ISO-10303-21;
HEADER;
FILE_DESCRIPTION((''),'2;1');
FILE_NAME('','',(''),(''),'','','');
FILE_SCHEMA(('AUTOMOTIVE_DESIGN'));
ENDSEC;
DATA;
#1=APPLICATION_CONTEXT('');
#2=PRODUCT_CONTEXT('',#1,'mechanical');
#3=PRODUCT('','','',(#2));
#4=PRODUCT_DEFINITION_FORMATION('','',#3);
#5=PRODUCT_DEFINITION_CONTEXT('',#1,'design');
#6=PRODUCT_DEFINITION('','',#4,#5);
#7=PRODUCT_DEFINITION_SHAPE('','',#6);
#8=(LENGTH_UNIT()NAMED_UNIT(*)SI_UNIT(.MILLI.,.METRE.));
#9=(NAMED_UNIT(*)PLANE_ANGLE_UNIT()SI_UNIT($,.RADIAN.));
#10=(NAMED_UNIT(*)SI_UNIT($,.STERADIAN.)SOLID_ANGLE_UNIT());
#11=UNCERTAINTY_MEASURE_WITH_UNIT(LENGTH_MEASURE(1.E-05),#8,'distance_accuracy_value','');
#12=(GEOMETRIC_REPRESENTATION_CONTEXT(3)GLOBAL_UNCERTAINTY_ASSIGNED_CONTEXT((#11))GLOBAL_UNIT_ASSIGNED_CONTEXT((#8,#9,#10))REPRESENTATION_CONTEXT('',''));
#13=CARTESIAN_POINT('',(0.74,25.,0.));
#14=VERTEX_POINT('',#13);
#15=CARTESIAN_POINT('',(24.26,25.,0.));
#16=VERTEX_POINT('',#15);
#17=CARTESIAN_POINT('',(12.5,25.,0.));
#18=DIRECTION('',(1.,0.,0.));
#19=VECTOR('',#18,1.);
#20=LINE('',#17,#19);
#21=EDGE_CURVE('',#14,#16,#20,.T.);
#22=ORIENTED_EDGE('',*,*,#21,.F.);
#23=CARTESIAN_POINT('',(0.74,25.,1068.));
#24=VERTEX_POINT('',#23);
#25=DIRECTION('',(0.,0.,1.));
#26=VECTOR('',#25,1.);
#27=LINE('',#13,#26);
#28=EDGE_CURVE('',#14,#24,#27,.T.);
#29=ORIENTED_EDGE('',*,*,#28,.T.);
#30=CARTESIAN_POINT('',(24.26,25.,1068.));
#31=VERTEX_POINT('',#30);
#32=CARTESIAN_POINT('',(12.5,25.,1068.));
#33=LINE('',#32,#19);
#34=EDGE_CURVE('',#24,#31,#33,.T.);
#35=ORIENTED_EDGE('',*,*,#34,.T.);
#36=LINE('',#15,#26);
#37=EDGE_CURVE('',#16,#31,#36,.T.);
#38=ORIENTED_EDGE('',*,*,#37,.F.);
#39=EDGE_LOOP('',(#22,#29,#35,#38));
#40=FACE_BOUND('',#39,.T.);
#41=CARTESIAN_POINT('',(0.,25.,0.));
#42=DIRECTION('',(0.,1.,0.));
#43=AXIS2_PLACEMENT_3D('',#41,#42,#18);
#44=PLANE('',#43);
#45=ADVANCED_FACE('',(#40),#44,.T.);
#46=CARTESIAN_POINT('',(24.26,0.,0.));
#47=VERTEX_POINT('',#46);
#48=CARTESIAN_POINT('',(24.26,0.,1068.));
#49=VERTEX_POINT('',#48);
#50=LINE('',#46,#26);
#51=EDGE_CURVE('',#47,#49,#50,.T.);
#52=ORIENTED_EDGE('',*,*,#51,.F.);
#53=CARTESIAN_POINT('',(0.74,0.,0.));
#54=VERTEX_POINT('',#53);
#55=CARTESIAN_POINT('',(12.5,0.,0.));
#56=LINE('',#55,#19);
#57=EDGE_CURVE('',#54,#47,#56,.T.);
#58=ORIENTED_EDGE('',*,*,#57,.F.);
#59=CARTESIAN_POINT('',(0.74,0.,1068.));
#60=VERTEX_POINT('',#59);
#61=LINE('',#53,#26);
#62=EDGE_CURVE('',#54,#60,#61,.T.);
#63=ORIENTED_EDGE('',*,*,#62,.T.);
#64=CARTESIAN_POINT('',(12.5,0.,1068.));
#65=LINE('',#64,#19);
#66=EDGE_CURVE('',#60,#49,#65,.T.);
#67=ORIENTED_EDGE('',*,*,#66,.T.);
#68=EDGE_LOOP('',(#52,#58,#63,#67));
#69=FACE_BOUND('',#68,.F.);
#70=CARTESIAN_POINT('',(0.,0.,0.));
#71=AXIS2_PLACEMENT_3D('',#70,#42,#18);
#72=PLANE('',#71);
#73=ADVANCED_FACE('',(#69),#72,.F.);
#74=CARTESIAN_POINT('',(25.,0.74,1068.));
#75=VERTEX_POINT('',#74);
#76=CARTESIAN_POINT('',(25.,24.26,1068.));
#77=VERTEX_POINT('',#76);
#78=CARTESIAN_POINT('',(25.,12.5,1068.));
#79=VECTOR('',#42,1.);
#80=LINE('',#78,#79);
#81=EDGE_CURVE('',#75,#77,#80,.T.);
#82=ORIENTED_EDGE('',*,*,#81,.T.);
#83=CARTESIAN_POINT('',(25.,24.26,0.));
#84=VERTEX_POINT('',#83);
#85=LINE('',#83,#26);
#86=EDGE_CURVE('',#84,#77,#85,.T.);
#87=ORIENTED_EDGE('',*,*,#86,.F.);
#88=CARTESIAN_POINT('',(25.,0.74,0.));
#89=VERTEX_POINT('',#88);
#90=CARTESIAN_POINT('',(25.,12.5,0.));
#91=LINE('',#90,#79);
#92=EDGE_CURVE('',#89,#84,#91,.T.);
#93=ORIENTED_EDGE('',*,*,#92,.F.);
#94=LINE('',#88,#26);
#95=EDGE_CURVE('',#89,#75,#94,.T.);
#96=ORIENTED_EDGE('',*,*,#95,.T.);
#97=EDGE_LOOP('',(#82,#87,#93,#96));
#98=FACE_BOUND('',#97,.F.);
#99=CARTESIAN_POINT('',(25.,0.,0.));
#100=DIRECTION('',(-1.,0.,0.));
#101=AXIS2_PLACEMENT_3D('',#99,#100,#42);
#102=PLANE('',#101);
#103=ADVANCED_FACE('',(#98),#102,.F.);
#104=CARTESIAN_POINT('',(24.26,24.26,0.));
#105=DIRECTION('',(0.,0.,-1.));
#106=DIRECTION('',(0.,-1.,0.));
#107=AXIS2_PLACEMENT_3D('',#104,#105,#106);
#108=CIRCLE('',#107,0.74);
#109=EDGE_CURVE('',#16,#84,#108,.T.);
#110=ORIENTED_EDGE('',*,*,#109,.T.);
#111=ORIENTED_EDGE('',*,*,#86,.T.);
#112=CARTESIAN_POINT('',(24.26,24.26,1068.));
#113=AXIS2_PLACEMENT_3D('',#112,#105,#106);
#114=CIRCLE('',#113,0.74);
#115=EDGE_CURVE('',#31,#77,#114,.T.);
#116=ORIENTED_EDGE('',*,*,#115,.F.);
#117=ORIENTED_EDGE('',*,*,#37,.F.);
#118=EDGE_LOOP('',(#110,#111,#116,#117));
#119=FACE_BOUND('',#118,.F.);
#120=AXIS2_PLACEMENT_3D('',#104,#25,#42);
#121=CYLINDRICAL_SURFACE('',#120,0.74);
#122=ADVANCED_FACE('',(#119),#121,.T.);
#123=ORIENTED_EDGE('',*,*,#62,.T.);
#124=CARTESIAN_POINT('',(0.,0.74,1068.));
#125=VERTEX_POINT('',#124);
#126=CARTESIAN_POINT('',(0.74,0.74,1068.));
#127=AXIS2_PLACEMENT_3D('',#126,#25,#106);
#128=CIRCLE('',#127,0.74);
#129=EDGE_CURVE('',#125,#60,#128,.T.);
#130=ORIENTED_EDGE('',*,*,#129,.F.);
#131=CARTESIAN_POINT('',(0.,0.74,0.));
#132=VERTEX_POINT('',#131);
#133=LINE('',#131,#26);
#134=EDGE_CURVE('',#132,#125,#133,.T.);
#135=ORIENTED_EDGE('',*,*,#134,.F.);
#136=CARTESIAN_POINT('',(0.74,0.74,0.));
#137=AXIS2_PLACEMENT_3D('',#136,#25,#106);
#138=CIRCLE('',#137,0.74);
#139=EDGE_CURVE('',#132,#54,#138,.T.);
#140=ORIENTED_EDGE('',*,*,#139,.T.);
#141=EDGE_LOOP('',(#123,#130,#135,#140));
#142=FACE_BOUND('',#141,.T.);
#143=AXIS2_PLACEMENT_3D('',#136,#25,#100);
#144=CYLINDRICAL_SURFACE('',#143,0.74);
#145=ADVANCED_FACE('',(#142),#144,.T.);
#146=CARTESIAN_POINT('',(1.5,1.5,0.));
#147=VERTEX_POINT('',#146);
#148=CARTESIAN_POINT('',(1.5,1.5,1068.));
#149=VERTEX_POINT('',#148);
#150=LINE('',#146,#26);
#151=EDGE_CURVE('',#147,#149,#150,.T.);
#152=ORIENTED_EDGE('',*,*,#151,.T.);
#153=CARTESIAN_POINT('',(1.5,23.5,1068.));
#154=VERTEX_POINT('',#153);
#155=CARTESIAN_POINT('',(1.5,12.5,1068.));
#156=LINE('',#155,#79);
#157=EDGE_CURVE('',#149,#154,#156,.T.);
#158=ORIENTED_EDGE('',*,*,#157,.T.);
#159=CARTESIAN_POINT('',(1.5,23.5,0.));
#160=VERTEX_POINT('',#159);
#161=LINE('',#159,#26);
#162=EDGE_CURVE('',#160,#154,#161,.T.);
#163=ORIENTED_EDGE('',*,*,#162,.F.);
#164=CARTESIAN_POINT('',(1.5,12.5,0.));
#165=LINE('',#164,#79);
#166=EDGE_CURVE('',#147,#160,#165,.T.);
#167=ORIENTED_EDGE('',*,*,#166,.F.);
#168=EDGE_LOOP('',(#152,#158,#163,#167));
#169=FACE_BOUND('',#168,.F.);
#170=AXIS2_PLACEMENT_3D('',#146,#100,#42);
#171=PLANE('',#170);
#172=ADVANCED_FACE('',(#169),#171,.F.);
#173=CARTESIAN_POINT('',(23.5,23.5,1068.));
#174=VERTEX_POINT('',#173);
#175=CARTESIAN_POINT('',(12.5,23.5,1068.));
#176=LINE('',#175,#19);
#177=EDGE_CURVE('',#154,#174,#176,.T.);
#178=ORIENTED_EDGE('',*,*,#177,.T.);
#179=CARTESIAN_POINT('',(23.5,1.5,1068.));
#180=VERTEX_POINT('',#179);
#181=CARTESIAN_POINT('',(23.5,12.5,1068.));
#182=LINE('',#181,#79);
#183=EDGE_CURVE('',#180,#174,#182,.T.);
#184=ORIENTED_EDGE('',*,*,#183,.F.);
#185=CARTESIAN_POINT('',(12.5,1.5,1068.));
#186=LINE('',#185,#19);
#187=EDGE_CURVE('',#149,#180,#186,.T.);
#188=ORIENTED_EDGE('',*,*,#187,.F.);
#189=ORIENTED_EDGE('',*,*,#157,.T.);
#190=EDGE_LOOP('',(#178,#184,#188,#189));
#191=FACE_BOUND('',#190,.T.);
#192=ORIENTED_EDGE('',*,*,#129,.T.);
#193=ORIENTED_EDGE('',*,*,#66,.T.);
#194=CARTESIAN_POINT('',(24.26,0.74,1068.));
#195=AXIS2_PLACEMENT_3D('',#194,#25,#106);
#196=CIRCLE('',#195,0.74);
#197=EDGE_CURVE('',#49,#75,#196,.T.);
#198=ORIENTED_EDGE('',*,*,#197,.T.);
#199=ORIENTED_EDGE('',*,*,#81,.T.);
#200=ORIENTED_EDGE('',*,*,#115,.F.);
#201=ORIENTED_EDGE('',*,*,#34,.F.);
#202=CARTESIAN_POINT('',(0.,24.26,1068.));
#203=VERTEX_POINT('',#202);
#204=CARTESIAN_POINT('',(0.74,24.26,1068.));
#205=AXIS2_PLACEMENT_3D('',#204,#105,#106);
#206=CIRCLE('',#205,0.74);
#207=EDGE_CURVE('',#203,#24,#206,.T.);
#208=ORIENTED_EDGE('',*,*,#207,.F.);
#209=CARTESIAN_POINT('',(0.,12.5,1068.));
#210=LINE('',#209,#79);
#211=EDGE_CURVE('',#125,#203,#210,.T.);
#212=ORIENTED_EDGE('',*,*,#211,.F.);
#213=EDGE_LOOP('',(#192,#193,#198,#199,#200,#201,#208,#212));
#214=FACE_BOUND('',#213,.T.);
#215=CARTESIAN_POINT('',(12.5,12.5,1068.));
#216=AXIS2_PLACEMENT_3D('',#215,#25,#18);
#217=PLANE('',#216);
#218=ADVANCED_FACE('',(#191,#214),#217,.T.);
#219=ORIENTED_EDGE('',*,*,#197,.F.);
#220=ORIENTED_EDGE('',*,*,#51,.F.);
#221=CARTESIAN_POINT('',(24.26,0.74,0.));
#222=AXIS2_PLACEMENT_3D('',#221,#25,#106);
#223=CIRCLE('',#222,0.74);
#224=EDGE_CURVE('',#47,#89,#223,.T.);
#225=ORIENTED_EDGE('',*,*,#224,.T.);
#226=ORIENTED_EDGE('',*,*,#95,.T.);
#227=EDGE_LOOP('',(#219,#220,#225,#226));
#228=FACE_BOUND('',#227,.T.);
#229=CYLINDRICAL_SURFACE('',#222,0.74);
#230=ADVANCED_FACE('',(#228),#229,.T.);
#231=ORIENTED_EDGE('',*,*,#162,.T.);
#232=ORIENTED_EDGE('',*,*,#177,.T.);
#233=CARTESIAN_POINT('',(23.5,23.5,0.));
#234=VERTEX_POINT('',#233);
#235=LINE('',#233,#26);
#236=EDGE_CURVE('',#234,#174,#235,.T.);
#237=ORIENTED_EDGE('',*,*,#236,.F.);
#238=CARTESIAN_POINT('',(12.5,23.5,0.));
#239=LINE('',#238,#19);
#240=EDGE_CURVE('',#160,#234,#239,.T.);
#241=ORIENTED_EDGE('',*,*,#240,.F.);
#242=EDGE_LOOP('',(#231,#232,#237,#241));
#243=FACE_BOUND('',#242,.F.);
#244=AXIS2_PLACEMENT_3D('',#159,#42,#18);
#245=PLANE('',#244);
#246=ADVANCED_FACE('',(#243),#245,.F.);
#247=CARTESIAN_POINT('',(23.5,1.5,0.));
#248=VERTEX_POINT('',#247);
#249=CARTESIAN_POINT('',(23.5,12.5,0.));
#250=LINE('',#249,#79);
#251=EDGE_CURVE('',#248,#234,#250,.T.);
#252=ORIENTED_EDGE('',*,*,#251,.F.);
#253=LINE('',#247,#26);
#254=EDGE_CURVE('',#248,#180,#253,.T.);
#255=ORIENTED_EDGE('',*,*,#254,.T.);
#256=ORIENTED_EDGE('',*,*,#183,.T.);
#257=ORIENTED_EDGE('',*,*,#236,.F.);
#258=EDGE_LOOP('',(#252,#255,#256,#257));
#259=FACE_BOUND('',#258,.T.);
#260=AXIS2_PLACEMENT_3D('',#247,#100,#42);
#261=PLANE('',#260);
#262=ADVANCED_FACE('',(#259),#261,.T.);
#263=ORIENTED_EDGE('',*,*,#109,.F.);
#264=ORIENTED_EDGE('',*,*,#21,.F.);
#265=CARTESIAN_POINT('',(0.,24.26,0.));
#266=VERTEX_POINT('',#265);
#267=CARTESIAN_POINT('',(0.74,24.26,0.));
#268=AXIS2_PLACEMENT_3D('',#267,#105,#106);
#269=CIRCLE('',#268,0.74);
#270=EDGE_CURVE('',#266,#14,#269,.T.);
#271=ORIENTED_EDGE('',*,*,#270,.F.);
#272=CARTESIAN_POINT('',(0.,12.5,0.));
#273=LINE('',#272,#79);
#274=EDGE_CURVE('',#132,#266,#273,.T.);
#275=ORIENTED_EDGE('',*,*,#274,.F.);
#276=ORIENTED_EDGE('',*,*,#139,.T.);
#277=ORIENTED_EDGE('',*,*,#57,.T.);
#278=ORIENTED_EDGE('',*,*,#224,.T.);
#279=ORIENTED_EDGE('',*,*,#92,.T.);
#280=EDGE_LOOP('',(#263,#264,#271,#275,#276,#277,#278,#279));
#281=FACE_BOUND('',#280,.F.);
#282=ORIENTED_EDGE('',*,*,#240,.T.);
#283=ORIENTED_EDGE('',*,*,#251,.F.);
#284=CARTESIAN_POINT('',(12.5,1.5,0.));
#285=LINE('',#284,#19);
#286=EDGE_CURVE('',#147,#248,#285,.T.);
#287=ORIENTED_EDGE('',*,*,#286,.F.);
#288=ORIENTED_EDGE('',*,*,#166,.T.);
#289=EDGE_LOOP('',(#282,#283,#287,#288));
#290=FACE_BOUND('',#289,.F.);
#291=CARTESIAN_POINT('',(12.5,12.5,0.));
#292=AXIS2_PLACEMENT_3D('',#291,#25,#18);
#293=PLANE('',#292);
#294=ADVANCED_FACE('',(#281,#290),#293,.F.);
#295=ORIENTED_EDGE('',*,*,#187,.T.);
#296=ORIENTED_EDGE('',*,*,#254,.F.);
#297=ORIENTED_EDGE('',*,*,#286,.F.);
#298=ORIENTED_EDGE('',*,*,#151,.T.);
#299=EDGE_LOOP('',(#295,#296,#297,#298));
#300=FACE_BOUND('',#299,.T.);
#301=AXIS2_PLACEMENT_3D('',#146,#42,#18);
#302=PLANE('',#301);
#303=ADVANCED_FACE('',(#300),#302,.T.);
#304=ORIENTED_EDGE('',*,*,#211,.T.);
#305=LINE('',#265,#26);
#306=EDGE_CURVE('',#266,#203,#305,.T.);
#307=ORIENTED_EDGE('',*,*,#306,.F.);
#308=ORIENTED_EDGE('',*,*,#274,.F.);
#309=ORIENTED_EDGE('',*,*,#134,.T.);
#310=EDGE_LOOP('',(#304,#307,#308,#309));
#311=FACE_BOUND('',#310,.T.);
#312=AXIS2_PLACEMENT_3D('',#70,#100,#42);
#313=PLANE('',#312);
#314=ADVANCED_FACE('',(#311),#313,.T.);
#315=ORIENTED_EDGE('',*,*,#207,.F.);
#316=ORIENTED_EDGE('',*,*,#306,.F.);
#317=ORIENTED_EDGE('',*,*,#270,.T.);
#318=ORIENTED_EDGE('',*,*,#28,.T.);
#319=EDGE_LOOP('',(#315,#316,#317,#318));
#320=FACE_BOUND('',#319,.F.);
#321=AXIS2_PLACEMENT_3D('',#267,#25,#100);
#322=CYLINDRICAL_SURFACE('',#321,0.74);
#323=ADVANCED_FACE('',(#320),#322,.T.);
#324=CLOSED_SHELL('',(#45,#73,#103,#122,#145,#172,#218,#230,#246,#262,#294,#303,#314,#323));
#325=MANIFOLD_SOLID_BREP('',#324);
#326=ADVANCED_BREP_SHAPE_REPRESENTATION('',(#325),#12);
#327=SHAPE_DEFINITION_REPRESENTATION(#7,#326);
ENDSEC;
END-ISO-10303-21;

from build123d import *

# Parameters (mm, degrees)
SKETCH_W   = 25
SKETCH_H   = 25
SKETCH_W_2 = 22
SKETCH_H_2 = 22
PAD_DEPTH  = 1068
FILLET_R   = 0.74


with BuildPart() as part:
    # Sketch → Pad (new body)
    with BuildSketch(Plane.XY):
        with Locations((12.5, 12.5)):
            Rectangle(SKETCH_W, SKETCH_H)
        with Locations((12.5, 12.5)):
            Rectangle(SKETCH_W_2, SKETCH_H_2, mode=Mode.SUBTRACT)
    extrude(amount=PAD_DEPTH)

    # Fillet
    fillet_edges = [part.edges().sort_by_distance(p)[0] for p in [
        (25, 0, 534),
        (0, 0, 534),
        (25, 25, 534),
        (0, 25, 534),
    ]]
    fillet(fillet_edges, radius=FILLET_R)


solid = part.part
